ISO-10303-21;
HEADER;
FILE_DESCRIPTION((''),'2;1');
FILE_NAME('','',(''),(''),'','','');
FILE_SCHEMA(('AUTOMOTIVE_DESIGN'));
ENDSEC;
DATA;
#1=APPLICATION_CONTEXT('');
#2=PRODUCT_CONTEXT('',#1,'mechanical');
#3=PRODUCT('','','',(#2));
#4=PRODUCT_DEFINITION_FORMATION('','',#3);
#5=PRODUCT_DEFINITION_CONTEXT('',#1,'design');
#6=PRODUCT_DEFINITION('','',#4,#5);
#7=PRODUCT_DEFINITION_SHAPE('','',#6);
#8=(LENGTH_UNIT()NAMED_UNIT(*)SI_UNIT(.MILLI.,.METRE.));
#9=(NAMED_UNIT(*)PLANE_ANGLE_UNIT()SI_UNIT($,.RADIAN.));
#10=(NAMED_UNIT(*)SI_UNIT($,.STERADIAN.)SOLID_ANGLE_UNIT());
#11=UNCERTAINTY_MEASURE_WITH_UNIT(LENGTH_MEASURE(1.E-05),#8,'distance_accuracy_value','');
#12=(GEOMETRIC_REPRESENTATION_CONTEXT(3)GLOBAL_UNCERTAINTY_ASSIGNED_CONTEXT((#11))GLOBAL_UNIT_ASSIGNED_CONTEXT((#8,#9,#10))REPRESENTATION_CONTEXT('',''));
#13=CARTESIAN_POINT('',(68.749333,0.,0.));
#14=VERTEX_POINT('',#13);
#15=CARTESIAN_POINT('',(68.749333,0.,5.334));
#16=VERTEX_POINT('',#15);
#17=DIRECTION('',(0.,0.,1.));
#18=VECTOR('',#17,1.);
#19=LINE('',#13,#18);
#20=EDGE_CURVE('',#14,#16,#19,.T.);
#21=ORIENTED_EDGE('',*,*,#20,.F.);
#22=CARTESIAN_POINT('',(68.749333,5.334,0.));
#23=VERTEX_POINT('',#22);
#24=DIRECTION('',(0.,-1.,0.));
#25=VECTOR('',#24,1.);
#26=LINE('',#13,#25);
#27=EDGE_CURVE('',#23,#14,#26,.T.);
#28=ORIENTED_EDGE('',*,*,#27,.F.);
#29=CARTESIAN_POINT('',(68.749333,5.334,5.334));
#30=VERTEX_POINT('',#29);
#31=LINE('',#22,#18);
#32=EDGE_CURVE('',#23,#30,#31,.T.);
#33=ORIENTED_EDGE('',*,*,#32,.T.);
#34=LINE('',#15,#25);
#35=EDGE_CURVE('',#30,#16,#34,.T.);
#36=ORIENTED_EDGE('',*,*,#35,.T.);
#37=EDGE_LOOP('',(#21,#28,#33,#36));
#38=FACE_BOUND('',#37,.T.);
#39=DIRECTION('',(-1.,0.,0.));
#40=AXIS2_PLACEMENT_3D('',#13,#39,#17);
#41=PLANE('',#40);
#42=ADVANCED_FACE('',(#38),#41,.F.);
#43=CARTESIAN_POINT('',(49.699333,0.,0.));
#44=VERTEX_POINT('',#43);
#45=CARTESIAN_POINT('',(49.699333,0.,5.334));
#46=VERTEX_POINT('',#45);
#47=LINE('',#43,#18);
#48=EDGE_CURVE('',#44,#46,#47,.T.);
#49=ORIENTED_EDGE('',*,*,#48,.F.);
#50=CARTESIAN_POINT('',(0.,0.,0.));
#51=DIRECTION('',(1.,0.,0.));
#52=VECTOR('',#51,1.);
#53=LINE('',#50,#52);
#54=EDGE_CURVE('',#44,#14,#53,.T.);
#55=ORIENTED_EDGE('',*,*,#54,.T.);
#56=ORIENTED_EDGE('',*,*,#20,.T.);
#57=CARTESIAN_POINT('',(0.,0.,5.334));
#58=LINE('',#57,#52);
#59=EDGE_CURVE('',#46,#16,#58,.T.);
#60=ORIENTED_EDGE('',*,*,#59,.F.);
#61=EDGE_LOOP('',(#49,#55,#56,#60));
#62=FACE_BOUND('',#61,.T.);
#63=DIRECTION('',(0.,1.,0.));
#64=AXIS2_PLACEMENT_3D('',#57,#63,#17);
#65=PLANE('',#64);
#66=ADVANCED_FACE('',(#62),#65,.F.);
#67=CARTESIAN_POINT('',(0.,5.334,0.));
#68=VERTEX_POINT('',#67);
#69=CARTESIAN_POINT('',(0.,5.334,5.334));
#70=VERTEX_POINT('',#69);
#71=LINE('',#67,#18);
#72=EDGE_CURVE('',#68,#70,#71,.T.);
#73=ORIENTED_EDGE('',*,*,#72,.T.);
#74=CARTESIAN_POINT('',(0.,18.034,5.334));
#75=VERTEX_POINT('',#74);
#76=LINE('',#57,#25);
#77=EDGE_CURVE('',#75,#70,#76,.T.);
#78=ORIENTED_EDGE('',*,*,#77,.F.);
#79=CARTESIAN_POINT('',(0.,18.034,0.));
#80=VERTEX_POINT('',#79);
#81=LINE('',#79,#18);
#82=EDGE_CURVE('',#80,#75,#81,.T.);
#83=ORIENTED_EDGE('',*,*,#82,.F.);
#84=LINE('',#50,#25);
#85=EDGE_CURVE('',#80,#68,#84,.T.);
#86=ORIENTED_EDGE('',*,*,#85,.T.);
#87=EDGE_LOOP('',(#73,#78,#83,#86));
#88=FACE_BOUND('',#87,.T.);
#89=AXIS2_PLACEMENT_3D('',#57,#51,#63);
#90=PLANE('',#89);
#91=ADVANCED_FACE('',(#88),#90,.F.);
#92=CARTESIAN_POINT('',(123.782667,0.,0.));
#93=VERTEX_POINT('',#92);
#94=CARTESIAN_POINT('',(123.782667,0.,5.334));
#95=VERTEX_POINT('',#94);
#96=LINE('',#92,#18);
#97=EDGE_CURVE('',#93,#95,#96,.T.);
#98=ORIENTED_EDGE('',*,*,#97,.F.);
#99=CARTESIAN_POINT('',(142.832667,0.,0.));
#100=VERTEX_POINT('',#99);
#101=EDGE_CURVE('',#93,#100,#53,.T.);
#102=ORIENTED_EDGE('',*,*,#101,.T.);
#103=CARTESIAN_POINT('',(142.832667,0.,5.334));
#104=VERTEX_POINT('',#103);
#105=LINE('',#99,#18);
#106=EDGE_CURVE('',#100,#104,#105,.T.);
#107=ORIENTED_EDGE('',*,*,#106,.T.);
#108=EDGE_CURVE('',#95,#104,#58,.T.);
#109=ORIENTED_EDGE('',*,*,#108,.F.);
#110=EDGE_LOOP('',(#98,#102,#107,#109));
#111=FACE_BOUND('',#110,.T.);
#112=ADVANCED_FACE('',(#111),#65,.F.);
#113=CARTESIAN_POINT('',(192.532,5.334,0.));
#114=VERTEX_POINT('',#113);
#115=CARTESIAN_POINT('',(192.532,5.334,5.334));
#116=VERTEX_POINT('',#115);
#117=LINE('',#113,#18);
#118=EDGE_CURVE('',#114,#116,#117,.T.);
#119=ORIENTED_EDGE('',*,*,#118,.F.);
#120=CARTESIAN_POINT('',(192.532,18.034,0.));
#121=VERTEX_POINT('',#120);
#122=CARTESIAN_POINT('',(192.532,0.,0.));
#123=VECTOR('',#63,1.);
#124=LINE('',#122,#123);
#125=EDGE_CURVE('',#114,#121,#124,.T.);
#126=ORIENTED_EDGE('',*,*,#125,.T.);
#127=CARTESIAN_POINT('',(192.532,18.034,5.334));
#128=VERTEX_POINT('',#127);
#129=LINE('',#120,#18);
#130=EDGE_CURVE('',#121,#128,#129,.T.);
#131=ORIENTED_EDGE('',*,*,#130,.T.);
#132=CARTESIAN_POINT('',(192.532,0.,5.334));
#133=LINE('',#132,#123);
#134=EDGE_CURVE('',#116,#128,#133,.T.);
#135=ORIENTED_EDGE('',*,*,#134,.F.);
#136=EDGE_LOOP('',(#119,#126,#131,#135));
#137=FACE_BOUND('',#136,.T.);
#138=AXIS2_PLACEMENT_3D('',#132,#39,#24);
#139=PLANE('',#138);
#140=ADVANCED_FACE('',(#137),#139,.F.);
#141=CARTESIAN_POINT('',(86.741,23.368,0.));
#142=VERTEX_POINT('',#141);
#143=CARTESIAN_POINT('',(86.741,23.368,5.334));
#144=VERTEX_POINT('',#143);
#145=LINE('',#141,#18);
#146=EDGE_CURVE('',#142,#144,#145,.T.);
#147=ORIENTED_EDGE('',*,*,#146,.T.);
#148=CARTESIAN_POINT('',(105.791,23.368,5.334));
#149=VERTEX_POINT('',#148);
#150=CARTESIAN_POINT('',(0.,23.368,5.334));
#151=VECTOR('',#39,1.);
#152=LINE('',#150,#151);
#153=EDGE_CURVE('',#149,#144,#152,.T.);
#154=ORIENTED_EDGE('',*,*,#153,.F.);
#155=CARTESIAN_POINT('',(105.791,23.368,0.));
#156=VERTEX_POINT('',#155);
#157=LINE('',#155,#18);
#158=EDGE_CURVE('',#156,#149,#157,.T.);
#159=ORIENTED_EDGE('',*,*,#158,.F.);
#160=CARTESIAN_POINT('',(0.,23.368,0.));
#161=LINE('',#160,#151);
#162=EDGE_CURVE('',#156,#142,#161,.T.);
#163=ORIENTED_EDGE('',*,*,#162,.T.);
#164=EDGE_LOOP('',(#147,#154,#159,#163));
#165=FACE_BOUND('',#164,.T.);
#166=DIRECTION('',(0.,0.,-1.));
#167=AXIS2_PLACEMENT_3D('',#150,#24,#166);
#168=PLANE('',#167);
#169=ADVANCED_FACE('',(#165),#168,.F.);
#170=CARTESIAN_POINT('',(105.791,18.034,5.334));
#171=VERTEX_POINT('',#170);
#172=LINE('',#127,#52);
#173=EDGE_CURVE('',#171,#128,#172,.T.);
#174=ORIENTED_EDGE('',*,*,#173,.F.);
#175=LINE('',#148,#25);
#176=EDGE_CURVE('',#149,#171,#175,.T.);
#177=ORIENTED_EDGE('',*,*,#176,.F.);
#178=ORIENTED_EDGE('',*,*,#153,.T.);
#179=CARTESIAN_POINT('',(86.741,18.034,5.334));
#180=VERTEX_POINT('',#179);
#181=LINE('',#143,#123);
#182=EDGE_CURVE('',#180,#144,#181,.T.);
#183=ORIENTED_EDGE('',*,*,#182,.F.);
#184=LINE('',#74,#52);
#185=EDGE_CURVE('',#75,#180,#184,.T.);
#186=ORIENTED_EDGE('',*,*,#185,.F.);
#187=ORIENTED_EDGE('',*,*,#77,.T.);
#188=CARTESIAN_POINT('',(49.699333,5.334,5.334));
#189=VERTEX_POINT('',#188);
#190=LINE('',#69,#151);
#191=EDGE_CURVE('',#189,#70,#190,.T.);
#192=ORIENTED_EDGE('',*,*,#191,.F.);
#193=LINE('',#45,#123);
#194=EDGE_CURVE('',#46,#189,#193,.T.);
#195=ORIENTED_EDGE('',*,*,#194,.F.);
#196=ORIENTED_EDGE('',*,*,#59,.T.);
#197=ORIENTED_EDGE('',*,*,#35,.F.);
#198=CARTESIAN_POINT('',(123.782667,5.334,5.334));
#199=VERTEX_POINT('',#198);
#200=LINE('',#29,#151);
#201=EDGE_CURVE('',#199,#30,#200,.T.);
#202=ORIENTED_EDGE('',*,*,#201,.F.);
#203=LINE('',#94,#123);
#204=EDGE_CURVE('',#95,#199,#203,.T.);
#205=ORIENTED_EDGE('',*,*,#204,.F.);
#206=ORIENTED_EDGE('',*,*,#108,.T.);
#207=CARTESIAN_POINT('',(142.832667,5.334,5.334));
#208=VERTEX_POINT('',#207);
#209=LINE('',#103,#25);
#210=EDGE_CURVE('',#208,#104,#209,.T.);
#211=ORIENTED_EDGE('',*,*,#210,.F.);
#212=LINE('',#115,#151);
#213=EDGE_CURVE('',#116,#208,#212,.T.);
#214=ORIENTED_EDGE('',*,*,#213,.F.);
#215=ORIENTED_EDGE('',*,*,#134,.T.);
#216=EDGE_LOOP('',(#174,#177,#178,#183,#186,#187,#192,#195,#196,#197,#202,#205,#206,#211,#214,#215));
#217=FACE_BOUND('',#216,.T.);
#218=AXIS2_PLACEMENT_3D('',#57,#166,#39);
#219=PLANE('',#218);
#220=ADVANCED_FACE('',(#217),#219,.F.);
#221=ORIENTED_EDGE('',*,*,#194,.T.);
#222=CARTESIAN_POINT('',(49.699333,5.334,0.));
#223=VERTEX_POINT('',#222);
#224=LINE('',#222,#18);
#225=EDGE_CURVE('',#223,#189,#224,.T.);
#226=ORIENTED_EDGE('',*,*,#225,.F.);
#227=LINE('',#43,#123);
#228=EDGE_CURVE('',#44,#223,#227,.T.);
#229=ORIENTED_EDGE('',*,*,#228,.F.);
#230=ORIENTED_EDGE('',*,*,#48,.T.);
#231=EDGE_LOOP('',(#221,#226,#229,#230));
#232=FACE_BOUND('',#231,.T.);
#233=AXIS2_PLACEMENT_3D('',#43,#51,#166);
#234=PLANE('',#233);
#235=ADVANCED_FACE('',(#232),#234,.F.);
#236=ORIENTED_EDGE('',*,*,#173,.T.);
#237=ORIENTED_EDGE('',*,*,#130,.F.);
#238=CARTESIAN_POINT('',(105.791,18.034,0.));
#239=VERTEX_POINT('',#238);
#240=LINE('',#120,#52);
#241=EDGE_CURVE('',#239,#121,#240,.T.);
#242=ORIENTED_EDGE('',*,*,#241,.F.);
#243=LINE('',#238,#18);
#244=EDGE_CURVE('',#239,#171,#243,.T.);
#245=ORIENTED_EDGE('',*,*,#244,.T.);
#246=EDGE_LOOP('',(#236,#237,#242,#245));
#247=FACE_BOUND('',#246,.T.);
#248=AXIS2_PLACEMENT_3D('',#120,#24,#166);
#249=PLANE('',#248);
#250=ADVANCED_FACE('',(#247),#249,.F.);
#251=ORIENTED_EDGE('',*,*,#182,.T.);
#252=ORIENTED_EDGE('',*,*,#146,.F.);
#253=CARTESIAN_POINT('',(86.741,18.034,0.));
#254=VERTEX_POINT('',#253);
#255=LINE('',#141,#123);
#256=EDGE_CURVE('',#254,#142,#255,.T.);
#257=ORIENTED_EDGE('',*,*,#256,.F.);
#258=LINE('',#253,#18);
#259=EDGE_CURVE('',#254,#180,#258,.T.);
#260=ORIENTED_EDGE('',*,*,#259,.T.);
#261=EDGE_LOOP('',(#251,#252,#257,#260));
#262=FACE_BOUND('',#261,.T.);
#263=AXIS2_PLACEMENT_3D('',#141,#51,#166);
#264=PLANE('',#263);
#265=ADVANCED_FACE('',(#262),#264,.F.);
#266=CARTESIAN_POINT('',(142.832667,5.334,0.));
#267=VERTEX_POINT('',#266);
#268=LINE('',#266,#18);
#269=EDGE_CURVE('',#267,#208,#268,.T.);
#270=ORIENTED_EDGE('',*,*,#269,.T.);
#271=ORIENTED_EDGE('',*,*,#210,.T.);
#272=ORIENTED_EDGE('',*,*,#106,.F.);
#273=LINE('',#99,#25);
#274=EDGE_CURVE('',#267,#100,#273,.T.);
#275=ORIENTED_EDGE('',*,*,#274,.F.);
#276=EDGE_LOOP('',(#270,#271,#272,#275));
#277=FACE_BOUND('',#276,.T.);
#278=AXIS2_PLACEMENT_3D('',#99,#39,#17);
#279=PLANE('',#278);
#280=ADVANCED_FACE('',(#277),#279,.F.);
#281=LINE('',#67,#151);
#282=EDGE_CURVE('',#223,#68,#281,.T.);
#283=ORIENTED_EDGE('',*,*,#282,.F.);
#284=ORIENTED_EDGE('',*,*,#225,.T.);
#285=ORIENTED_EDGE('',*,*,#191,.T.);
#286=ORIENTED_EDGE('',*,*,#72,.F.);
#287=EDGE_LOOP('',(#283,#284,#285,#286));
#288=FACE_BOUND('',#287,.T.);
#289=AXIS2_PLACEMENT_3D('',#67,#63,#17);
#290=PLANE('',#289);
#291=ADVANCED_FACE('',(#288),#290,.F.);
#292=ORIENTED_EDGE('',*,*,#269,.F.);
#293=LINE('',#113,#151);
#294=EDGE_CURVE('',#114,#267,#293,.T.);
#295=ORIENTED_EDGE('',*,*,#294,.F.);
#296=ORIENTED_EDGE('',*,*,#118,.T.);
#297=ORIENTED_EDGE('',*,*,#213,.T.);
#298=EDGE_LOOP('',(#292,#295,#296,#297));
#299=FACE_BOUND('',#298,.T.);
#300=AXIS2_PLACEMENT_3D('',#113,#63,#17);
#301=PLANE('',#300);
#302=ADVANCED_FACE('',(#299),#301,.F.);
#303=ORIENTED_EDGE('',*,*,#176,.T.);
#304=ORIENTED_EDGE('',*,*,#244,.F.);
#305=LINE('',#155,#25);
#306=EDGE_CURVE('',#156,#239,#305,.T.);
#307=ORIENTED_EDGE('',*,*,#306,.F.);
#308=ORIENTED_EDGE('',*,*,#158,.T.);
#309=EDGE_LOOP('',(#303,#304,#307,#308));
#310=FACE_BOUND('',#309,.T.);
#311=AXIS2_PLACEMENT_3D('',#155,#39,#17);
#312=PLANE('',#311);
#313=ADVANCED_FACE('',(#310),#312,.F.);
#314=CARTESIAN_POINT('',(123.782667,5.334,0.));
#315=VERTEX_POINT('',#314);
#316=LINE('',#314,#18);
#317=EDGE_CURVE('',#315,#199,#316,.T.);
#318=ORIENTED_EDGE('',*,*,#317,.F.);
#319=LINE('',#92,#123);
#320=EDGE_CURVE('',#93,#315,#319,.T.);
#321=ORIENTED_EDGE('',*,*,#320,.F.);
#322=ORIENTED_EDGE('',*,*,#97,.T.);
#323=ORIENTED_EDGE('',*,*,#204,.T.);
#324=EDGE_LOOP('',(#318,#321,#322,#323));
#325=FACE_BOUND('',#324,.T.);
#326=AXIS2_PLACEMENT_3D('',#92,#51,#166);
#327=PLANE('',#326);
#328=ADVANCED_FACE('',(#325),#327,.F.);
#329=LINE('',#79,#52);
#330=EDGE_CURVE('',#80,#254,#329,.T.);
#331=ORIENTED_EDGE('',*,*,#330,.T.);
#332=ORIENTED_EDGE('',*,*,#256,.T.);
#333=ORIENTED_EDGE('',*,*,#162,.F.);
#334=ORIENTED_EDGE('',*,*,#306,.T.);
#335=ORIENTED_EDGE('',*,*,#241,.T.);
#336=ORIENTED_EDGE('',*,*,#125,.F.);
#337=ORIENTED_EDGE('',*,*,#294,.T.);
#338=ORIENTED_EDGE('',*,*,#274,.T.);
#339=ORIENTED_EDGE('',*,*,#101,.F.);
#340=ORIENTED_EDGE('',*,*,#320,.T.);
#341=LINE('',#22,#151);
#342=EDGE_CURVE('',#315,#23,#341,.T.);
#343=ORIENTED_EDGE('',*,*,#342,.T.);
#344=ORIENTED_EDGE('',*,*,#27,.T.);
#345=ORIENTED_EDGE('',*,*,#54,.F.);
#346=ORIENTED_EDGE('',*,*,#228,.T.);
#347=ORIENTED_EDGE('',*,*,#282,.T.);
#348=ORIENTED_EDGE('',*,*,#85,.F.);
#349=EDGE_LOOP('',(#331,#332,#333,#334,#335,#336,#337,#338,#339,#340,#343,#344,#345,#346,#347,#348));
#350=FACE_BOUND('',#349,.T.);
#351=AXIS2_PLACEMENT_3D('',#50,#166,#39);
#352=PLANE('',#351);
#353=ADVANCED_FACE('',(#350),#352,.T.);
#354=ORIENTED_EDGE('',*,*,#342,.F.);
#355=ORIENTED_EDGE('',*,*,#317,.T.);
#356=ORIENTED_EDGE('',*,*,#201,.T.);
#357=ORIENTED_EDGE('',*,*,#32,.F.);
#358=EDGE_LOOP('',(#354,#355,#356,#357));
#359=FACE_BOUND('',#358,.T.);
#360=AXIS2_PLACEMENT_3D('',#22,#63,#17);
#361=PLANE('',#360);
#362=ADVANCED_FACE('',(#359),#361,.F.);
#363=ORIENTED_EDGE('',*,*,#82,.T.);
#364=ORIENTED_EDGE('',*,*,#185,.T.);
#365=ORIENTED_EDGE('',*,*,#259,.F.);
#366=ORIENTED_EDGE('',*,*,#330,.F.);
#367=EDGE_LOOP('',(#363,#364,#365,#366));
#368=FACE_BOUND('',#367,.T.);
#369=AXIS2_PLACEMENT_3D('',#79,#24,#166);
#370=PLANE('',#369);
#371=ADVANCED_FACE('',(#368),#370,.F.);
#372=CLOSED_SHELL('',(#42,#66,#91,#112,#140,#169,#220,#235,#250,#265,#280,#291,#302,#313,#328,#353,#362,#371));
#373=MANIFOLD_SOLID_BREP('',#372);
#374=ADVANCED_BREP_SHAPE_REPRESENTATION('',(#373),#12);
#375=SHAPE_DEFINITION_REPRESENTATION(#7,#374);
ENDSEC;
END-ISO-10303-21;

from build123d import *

# Parameters (mm, degrees)
SKETCH1_W           = 192.532
SKETCH1_H           = 23.368
BOSS_EXTRUDE1_DEPTH = 5.334
SKETCH2_W           = 49.699333333
SKETCH2_H           = 5.334
SKETCH2_W_2         = 55.033333334
SKETCH2_W_3         = 86.741
CUT_EXTRUDE1_DEPTH  = 195.018262037


with BuildPart() as part:
    # Sketch1 → Boss-Extrude1 (new body)
    with BuildSketch(Plane.XY):
        with Locations((96.266, 11.684)):
            Rectangle(SKETCH1_W, SKETCH1_H)
    extrude(amount=BOSS_EXTRUDE1_DEPTH)

    # Sketch2 → Cut-Extrude1 (cut, through all)
    with BuildSketch(Plane.XY.offset(5.334)):
        with Locations((24.849666667, 2.667)):
            Rectangle(SKETCH2_W, SKETCH2_H)
        with Locations((96.266, 2.667)):
            Rectangle(SKETCH2_W_2, SKETCH2_H)
        with Locations((167.682333334, 2.667)):
            Rectangle(SKETCH2_W, SKETCH2_H)
        with Locations((43.3705, 20.701)):
            Rectangle(SKETCH2_W_3, SKETCH2_H)
        with Locations((149.1615, 20.701)):
            Rectangle(SKETCH2_W_3, SKETCH2_H)
    extrude(amount=-CUT_EXTRUDE1_DEPTH, mode=Mode.SUBTRACT)


solid = part.part
